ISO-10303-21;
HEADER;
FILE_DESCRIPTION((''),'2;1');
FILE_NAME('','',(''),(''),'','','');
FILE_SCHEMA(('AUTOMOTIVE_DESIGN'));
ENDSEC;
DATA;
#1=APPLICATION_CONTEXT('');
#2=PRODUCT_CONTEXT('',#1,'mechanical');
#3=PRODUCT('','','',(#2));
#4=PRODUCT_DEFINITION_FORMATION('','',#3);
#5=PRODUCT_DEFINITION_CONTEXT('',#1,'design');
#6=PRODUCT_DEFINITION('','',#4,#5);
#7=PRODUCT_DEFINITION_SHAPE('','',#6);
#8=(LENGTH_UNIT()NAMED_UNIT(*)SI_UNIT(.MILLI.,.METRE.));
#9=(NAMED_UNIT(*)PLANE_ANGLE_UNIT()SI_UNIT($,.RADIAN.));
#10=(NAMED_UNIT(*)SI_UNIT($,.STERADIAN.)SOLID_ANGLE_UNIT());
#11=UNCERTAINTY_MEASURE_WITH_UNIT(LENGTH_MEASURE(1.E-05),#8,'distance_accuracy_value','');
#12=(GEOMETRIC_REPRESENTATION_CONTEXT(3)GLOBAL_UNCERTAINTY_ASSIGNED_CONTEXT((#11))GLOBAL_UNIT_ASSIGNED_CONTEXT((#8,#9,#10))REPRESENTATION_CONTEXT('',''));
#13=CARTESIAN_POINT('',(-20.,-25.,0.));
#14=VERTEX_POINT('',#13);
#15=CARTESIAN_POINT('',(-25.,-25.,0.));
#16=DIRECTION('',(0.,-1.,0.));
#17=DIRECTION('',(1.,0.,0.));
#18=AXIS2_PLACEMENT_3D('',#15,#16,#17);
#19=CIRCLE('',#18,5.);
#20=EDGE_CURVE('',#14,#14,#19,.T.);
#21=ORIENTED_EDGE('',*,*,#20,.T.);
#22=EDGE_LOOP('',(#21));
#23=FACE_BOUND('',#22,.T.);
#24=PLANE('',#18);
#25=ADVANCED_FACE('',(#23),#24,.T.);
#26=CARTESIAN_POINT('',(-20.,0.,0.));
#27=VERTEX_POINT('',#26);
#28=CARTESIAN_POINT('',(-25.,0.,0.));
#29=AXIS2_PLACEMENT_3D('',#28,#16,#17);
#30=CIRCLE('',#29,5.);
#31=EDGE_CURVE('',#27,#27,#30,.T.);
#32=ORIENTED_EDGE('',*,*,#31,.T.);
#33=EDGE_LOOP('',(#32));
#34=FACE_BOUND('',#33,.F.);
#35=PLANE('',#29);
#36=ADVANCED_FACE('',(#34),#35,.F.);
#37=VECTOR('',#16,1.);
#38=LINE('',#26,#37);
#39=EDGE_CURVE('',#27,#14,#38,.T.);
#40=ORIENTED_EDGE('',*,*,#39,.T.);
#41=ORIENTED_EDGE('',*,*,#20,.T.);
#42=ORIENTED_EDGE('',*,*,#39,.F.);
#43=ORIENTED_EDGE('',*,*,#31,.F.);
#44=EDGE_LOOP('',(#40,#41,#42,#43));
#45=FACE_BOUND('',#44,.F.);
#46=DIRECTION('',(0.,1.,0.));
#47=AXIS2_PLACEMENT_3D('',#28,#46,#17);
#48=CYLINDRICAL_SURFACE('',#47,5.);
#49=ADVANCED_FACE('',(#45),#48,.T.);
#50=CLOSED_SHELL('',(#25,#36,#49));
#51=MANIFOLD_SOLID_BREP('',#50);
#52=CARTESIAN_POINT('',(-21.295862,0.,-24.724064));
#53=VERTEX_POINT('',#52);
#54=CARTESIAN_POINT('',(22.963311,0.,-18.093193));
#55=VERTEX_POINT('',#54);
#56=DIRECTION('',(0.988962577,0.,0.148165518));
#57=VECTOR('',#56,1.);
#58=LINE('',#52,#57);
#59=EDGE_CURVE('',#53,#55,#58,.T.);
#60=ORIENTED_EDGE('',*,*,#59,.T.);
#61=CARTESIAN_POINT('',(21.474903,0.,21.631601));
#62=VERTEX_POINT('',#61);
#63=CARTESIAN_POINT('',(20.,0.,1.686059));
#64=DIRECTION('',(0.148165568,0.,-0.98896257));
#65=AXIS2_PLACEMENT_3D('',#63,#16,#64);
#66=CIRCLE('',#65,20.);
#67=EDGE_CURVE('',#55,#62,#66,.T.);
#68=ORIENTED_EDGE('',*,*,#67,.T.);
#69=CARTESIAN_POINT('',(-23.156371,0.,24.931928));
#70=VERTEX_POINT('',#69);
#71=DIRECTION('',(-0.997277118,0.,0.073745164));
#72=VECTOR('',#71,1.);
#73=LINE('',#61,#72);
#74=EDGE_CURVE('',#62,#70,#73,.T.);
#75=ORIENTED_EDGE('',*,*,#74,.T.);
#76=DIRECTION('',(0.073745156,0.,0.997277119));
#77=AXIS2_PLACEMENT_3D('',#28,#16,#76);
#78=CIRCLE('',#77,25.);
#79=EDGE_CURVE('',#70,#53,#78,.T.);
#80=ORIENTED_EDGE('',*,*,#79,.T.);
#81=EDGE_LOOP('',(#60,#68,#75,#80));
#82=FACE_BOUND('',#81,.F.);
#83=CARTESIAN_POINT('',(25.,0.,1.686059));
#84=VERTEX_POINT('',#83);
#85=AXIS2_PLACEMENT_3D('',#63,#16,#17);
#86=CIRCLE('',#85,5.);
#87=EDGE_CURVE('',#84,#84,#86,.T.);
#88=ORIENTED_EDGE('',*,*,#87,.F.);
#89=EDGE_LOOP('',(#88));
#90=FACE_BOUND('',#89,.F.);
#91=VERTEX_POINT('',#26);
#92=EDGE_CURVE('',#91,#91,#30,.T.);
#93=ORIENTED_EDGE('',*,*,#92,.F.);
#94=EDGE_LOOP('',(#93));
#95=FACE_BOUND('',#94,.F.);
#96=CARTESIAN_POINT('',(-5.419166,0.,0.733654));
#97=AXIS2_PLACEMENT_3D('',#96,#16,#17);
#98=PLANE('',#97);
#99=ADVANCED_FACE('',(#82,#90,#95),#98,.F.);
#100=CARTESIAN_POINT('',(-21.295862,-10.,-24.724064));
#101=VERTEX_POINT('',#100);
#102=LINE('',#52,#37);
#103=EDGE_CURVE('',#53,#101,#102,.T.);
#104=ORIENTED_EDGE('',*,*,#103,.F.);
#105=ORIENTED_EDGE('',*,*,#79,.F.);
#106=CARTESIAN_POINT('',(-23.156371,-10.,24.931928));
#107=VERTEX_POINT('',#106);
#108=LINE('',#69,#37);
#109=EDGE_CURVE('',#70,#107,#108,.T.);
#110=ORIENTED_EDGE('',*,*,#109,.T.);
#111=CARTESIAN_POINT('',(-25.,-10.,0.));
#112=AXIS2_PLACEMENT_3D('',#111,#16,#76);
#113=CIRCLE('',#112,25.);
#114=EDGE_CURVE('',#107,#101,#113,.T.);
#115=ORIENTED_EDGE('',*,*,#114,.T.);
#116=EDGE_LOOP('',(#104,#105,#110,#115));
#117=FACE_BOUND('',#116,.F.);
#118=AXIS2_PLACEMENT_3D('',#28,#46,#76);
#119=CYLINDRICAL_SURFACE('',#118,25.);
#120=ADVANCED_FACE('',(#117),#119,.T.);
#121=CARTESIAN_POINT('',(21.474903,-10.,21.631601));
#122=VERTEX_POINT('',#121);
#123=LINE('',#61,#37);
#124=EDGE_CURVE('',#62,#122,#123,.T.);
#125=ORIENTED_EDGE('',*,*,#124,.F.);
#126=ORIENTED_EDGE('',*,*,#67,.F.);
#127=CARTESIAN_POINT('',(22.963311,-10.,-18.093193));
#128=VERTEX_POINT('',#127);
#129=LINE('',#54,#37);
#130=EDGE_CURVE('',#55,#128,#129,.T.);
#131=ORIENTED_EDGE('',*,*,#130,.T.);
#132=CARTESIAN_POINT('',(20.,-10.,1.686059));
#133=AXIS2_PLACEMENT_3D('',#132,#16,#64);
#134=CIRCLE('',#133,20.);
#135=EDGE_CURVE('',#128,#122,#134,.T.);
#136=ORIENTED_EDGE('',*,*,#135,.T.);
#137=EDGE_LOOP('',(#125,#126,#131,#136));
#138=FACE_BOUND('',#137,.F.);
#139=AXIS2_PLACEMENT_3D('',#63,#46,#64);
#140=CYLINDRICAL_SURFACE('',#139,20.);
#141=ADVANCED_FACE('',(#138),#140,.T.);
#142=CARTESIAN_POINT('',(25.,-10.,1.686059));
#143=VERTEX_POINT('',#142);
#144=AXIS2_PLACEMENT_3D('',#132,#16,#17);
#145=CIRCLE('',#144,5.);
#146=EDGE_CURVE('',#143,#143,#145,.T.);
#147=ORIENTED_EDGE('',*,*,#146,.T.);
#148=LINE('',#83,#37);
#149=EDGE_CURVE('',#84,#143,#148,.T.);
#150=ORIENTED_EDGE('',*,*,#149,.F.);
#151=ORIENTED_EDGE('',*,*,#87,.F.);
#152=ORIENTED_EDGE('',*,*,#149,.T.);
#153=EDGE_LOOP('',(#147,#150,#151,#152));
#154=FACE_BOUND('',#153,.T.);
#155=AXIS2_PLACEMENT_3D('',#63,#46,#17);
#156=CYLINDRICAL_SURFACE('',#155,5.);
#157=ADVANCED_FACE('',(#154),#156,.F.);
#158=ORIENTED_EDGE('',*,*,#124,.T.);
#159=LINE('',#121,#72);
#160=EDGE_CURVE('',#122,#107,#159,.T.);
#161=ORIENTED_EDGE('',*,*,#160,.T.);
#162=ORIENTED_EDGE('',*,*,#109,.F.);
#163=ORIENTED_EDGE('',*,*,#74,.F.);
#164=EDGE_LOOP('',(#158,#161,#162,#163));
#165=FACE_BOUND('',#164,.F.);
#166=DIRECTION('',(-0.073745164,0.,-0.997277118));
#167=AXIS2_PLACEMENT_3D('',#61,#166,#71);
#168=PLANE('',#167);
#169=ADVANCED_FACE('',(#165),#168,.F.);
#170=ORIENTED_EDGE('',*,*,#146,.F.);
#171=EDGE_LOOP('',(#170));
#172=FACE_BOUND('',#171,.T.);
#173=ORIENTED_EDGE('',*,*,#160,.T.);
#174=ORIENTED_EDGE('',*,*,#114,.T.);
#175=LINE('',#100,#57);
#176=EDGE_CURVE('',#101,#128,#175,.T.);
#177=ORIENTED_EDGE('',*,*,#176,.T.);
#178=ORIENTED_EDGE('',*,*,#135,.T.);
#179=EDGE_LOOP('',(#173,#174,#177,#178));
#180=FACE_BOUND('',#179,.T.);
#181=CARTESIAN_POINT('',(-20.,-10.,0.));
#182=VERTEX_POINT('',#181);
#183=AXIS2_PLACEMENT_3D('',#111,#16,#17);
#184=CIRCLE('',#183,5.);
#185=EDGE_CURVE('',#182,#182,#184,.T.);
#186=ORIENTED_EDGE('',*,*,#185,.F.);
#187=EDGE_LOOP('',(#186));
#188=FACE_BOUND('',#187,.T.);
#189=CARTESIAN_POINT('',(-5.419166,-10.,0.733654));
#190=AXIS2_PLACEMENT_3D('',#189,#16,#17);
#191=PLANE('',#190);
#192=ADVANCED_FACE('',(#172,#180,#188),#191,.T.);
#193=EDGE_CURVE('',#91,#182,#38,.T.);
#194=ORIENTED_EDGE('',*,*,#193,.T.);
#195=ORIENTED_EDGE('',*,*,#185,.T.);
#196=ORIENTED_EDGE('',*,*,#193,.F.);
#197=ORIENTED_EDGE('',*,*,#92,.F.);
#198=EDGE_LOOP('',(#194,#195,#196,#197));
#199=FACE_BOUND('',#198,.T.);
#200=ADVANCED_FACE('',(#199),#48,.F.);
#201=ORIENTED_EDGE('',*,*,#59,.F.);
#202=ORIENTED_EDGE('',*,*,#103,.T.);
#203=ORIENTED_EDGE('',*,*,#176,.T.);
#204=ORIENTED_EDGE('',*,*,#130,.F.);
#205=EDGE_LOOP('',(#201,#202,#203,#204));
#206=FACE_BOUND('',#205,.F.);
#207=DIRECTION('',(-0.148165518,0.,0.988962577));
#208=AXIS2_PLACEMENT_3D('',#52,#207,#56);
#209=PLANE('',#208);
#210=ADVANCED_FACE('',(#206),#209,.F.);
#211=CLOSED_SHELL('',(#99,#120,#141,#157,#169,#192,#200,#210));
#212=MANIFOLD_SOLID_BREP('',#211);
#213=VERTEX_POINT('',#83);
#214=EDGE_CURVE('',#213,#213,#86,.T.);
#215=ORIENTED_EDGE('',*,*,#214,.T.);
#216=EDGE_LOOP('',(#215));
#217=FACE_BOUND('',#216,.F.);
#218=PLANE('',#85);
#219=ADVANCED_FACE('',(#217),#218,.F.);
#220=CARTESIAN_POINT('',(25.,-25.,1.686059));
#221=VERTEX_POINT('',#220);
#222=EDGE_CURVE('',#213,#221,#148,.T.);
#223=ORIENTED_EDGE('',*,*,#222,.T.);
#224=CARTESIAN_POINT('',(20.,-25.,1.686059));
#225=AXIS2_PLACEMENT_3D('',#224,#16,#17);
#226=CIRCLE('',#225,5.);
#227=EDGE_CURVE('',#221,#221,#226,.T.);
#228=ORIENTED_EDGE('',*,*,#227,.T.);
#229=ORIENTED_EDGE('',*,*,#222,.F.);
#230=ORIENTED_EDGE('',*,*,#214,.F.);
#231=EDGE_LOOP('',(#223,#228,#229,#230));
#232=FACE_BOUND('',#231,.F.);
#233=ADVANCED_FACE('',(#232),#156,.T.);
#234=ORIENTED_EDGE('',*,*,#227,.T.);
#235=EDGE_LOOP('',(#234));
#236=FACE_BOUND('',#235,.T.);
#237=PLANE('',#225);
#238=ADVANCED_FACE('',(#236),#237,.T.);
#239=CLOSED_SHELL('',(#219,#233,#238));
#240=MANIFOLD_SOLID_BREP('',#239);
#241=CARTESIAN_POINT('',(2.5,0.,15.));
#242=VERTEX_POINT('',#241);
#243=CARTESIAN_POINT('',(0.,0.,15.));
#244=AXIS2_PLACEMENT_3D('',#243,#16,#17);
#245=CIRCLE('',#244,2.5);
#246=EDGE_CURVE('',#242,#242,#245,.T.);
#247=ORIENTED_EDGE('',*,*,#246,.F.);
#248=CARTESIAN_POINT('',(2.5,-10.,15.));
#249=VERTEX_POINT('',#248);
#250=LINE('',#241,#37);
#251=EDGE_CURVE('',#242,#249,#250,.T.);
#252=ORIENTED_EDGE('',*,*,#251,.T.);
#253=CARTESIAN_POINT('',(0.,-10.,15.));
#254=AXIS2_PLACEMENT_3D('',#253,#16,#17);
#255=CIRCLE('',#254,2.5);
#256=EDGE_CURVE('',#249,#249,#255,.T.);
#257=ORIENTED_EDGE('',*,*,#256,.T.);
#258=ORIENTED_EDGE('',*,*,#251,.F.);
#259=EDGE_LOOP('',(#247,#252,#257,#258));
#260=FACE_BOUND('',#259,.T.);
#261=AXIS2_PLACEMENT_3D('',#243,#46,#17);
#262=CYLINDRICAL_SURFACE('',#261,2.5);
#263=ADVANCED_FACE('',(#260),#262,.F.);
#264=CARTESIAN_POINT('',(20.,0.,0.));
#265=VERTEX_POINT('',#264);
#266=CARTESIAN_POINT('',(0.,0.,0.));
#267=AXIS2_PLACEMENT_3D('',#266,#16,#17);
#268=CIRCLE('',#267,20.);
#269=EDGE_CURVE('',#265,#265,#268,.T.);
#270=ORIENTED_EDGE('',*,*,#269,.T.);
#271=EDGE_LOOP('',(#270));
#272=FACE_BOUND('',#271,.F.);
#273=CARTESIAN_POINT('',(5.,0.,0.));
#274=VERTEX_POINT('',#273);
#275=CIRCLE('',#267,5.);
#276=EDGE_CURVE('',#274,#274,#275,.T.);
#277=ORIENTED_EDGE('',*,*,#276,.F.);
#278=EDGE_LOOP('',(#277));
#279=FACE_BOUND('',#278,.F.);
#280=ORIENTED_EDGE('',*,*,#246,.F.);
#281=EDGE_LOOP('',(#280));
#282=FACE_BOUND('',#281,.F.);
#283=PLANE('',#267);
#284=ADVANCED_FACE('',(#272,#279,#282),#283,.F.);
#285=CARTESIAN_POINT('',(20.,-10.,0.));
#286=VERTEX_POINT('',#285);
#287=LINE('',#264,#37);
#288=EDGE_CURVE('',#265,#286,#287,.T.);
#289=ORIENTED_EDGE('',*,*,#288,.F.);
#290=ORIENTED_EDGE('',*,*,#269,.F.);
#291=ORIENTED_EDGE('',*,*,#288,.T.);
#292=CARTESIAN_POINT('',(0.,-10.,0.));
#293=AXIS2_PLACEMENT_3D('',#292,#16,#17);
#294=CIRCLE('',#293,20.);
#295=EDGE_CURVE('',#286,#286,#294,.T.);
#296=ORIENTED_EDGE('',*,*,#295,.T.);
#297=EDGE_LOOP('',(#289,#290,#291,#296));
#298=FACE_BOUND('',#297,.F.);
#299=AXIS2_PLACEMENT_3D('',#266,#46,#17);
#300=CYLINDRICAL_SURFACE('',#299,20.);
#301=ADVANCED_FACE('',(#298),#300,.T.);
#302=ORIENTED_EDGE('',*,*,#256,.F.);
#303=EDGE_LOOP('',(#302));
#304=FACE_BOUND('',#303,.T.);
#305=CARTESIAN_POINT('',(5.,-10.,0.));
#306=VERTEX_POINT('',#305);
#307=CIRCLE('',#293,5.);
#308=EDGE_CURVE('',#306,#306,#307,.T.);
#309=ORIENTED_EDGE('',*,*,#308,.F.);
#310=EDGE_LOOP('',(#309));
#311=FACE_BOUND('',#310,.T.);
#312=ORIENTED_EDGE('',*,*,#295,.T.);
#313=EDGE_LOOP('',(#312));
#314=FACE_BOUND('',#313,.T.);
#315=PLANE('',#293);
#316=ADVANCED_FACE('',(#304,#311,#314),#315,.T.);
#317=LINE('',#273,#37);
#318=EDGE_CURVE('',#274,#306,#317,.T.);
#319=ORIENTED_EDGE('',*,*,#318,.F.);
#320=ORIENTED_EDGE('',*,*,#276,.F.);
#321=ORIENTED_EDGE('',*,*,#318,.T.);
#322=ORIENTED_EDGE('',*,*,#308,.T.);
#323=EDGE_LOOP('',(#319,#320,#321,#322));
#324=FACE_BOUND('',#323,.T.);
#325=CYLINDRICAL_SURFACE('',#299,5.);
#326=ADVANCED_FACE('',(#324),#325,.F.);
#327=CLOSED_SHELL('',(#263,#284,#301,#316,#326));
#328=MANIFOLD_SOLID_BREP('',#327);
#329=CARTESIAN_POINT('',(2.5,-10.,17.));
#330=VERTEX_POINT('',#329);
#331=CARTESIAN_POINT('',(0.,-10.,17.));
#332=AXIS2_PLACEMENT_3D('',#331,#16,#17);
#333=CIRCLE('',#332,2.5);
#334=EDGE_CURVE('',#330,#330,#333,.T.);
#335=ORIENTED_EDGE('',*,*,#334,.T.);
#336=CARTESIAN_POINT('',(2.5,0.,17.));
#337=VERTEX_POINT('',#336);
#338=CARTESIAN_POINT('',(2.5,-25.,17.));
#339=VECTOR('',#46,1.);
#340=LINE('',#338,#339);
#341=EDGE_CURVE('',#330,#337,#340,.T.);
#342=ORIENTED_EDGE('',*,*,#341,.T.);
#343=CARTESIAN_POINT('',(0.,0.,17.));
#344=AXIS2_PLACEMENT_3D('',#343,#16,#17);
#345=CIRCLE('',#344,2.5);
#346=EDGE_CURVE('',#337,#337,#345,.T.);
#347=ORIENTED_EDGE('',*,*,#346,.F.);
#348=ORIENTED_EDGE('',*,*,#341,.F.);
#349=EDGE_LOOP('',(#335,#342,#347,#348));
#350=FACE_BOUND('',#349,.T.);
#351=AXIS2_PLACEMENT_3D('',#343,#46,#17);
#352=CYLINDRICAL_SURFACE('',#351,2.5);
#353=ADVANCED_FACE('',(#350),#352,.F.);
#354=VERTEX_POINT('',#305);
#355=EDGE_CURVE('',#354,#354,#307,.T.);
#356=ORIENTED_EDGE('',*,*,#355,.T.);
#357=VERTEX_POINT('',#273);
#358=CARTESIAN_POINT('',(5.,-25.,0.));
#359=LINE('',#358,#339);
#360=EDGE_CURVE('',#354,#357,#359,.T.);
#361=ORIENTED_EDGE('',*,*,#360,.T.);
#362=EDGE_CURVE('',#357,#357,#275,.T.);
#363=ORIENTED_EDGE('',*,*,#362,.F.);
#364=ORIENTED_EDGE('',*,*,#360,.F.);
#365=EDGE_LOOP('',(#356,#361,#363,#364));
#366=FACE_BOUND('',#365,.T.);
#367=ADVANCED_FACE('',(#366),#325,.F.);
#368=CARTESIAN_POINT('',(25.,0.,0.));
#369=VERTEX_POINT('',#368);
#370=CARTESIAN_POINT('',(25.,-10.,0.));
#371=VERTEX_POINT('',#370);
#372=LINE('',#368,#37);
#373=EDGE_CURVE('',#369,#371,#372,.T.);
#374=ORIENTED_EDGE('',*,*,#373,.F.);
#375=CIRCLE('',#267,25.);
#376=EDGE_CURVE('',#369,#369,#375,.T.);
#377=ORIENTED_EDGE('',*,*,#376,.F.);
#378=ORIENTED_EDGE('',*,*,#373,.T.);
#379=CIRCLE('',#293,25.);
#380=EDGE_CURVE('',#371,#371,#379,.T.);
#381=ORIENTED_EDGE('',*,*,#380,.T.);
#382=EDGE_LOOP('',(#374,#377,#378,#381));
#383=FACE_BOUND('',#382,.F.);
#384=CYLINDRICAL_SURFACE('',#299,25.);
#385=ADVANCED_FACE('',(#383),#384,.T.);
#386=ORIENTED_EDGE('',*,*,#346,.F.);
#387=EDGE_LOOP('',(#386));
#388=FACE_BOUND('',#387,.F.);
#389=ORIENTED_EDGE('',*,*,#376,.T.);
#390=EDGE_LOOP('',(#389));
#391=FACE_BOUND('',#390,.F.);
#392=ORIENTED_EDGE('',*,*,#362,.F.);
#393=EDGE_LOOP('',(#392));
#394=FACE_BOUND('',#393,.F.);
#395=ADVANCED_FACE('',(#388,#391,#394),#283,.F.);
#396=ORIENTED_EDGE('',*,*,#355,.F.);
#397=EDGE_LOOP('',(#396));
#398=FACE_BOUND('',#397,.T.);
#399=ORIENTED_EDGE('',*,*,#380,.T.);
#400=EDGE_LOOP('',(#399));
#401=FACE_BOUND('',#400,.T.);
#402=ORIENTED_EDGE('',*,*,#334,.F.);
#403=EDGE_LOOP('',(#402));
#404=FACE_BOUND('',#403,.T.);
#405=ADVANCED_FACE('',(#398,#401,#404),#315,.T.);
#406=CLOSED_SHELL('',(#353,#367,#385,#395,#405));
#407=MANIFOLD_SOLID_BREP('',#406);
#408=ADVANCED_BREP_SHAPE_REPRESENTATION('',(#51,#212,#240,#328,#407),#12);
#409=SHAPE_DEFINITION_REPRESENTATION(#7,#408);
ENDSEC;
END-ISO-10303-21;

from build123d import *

# Parameters (mm, degrees)
F0_R        = 25
F0_R_2      = 5
F0_R_3      = 2.5
F1_DEPTH    = 25
F1_FACE_R   = 25
F1_FACE_R_2 = 5
F1_FACE_R_3 = 2.5
F2_DEPTH    = 12.9
F3_DEPTH    = 15
F4_R        = 20
F4_R_2      = 5
F4_R_3      = 2.5
F5_DEPTH    = 25
F5_FACE_R   = 20
F5_FACE_R_2 = 5
F5_FACE_R_3 = 2.5
F6_DEPTH    = 15
F7_R        = 5
F8_DEPTH    = 25
F9_DEPTH    = 10


with BuildPart() as f1:
    # F0 (on Front) → F1 (new body)
    with BuildSketch(Plane.XZ):
        Circle(F0_R)
        Circle(F0_R_2, mode=Mode.SUBTRACT)
        with Locations((0, 17)):
            Circle(F0_R_3, mode=Mode.SUBTRACT)
    extrude(amount=F1_DEPTH)

    # F1_face (on face) → F2 (join)
    with BuildSketch(Plane(origin=(0, -25, -0.178947), x_dir=(1, 0, 0), z_dir=(0, -1, 0))):
        with Locations((0, 0.178947)):
            Circle(F1_FACE_R)
        with Locations((0, 0.178947)):
            Circle(F1_FACE_R_2, mode=Mode.SUBTRACT)
        with Locations((0, 17.178947)):
            Circle(F1_FACE_R_3, mode=Mode.SUBTRACT)
    extrude(amount=-F2_DEPTH)

    # F1_face (on face) → F3 (cut)
    with BuildSketch(Plane(origin=(0, -25, -0.178947), x_dir=(1, 0, 0), z_dir=(0, -1, 0))):
        with Locations((0, 0.178947)):
            Circle(F1_FACE_R)
        with Locations((0, 0.178947)):
            Circle(F1_FACE_R_2, mode=Mode.SUBTRACT)
        with Locations((0, 17.178947)):
            Circle(F1_FACE_R_3, mode=Mode.SUBTRACT)
    extrude(amount=-F3_DEPTH, mode=Mode.SUBTRACT)


with BuildPart() as f5:
    # F4 (on Front) → F5 (new body)
    with BuildSketch(Plane.XZ):
        Circle(F4_R)
        Circle(F4_R_2, mode=Mode.SUBTRACT)
        with Locations((0, 15)):
            Circle(F4_R_3, mode=Mode.SUBTRACT)
    extrude(amount=F5_DEPTH)

    # F5_face (on face) → F6 (cut)
    with BuildSketch(Plane(origin=(0, -25, -0.254237), x_dir=(1, 0, 0), z_dir=(0, -1, 0))):
        with Locations((0, 0.254237)):
            Circle(F5_FACE_R)
        with Locations((0, 0.254237)):
            Circle(F5_FACE_R_2, mode=Mode.SUBTRACT)
        with Locations((0, 15.254237)):
            Circle(F5_FACE_R_3, mode=Mode.SUBTRACT)
    extrude(amount=-F6_DEPTH, mode=Mode.SUBTRACT)


with BuildPart() as f8:
    # F7 (on Front) → F8 (new body)
    with BuildSketch(Plane.XZ):
        with Locations((20, 1.686059)):
            Circle(F7_R)
        with Locations((-25, 0)):
            Circle(F7_R)
    extrude(amount=F8_DEPTH)


with BuildPart() as f9:
    # F7 (on Front) → F9 (new body)
    with BuildSketch(Plane.XZ):
        with BuildLine():
            Line((21.474903, 21.631601), (-23.156371, 24.931928))
            ThreePointArc((-23.156371, 24.931928), (-49.98247, -0.936043), (-21.295862, -24.724064))
            Line((-21.295862, -24.724064), (22.963311, -18.093193))
            ThreePointArc((22.963311, -18.093193), (39.985976, 2.434893), (21.474903, 21.631601))
        make_face()
        with Locations((-25, 0)):
            Circle(F7_R, mode=Mode.SUBTRACT)
        with Locations((20, 1.686059)):
            Circle(F7_R, mode=Mode.SUBTRACT)
    extrude(amount=F9_DEPTH)


solid = Compound([f1.part, f5.part, f8.part, f9.part])
